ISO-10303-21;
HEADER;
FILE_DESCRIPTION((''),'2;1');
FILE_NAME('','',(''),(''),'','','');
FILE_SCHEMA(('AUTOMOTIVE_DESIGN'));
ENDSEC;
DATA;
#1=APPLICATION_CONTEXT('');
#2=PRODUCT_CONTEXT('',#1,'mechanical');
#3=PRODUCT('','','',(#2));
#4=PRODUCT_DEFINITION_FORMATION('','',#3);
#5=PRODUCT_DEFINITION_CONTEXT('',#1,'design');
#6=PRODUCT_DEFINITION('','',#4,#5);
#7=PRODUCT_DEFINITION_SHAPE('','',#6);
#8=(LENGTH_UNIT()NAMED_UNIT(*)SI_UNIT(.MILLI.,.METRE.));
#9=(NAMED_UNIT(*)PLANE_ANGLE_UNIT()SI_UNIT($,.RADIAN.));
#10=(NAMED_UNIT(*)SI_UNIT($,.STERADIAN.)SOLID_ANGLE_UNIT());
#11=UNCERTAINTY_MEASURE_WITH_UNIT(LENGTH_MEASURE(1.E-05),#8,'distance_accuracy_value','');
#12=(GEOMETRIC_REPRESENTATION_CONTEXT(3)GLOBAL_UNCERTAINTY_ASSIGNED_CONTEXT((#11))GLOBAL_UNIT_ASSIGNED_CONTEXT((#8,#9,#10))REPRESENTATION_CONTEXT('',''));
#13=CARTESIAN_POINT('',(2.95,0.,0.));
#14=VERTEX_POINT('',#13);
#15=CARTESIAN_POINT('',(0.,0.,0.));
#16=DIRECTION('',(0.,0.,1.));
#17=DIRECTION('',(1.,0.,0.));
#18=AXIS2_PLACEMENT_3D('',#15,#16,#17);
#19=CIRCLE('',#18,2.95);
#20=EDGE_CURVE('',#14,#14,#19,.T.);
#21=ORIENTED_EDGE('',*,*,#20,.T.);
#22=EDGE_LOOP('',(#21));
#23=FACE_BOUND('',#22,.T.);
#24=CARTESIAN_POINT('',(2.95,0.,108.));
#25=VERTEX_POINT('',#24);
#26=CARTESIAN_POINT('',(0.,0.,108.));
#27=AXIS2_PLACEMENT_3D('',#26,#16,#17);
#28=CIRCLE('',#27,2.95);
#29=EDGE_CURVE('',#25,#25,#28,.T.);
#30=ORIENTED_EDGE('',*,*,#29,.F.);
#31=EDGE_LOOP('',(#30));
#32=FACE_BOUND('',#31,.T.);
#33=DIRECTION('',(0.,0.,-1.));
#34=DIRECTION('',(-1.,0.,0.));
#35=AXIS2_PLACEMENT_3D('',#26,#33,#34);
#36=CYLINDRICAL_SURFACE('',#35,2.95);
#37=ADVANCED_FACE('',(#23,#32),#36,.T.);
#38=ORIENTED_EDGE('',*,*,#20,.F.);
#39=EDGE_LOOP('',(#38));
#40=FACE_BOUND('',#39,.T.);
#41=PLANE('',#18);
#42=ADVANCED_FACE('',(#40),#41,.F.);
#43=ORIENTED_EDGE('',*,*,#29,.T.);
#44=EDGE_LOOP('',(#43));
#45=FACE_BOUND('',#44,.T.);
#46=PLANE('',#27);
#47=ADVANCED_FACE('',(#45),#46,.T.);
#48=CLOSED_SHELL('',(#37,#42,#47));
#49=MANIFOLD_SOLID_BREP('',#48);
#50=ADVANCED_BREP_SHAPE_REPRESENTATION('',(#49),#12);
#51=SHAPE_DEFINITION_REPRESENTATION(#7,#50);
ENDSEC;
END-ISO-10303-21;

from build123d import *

# Parameters (mm, degrees)
ESQUISSE1_R        = 2.95
BOSS_EXTRU_1_DEPTH = 108


with BuildPart() as part:
    # Esquisse1 → Boss.-Extru.1 (new body)
    with BuildSketch(Plane.XY):
        Circle(ESQUISSE1_R)
    extrude(amount=BOSS_EXTRU_1_DEPTH)


solid = part.part
